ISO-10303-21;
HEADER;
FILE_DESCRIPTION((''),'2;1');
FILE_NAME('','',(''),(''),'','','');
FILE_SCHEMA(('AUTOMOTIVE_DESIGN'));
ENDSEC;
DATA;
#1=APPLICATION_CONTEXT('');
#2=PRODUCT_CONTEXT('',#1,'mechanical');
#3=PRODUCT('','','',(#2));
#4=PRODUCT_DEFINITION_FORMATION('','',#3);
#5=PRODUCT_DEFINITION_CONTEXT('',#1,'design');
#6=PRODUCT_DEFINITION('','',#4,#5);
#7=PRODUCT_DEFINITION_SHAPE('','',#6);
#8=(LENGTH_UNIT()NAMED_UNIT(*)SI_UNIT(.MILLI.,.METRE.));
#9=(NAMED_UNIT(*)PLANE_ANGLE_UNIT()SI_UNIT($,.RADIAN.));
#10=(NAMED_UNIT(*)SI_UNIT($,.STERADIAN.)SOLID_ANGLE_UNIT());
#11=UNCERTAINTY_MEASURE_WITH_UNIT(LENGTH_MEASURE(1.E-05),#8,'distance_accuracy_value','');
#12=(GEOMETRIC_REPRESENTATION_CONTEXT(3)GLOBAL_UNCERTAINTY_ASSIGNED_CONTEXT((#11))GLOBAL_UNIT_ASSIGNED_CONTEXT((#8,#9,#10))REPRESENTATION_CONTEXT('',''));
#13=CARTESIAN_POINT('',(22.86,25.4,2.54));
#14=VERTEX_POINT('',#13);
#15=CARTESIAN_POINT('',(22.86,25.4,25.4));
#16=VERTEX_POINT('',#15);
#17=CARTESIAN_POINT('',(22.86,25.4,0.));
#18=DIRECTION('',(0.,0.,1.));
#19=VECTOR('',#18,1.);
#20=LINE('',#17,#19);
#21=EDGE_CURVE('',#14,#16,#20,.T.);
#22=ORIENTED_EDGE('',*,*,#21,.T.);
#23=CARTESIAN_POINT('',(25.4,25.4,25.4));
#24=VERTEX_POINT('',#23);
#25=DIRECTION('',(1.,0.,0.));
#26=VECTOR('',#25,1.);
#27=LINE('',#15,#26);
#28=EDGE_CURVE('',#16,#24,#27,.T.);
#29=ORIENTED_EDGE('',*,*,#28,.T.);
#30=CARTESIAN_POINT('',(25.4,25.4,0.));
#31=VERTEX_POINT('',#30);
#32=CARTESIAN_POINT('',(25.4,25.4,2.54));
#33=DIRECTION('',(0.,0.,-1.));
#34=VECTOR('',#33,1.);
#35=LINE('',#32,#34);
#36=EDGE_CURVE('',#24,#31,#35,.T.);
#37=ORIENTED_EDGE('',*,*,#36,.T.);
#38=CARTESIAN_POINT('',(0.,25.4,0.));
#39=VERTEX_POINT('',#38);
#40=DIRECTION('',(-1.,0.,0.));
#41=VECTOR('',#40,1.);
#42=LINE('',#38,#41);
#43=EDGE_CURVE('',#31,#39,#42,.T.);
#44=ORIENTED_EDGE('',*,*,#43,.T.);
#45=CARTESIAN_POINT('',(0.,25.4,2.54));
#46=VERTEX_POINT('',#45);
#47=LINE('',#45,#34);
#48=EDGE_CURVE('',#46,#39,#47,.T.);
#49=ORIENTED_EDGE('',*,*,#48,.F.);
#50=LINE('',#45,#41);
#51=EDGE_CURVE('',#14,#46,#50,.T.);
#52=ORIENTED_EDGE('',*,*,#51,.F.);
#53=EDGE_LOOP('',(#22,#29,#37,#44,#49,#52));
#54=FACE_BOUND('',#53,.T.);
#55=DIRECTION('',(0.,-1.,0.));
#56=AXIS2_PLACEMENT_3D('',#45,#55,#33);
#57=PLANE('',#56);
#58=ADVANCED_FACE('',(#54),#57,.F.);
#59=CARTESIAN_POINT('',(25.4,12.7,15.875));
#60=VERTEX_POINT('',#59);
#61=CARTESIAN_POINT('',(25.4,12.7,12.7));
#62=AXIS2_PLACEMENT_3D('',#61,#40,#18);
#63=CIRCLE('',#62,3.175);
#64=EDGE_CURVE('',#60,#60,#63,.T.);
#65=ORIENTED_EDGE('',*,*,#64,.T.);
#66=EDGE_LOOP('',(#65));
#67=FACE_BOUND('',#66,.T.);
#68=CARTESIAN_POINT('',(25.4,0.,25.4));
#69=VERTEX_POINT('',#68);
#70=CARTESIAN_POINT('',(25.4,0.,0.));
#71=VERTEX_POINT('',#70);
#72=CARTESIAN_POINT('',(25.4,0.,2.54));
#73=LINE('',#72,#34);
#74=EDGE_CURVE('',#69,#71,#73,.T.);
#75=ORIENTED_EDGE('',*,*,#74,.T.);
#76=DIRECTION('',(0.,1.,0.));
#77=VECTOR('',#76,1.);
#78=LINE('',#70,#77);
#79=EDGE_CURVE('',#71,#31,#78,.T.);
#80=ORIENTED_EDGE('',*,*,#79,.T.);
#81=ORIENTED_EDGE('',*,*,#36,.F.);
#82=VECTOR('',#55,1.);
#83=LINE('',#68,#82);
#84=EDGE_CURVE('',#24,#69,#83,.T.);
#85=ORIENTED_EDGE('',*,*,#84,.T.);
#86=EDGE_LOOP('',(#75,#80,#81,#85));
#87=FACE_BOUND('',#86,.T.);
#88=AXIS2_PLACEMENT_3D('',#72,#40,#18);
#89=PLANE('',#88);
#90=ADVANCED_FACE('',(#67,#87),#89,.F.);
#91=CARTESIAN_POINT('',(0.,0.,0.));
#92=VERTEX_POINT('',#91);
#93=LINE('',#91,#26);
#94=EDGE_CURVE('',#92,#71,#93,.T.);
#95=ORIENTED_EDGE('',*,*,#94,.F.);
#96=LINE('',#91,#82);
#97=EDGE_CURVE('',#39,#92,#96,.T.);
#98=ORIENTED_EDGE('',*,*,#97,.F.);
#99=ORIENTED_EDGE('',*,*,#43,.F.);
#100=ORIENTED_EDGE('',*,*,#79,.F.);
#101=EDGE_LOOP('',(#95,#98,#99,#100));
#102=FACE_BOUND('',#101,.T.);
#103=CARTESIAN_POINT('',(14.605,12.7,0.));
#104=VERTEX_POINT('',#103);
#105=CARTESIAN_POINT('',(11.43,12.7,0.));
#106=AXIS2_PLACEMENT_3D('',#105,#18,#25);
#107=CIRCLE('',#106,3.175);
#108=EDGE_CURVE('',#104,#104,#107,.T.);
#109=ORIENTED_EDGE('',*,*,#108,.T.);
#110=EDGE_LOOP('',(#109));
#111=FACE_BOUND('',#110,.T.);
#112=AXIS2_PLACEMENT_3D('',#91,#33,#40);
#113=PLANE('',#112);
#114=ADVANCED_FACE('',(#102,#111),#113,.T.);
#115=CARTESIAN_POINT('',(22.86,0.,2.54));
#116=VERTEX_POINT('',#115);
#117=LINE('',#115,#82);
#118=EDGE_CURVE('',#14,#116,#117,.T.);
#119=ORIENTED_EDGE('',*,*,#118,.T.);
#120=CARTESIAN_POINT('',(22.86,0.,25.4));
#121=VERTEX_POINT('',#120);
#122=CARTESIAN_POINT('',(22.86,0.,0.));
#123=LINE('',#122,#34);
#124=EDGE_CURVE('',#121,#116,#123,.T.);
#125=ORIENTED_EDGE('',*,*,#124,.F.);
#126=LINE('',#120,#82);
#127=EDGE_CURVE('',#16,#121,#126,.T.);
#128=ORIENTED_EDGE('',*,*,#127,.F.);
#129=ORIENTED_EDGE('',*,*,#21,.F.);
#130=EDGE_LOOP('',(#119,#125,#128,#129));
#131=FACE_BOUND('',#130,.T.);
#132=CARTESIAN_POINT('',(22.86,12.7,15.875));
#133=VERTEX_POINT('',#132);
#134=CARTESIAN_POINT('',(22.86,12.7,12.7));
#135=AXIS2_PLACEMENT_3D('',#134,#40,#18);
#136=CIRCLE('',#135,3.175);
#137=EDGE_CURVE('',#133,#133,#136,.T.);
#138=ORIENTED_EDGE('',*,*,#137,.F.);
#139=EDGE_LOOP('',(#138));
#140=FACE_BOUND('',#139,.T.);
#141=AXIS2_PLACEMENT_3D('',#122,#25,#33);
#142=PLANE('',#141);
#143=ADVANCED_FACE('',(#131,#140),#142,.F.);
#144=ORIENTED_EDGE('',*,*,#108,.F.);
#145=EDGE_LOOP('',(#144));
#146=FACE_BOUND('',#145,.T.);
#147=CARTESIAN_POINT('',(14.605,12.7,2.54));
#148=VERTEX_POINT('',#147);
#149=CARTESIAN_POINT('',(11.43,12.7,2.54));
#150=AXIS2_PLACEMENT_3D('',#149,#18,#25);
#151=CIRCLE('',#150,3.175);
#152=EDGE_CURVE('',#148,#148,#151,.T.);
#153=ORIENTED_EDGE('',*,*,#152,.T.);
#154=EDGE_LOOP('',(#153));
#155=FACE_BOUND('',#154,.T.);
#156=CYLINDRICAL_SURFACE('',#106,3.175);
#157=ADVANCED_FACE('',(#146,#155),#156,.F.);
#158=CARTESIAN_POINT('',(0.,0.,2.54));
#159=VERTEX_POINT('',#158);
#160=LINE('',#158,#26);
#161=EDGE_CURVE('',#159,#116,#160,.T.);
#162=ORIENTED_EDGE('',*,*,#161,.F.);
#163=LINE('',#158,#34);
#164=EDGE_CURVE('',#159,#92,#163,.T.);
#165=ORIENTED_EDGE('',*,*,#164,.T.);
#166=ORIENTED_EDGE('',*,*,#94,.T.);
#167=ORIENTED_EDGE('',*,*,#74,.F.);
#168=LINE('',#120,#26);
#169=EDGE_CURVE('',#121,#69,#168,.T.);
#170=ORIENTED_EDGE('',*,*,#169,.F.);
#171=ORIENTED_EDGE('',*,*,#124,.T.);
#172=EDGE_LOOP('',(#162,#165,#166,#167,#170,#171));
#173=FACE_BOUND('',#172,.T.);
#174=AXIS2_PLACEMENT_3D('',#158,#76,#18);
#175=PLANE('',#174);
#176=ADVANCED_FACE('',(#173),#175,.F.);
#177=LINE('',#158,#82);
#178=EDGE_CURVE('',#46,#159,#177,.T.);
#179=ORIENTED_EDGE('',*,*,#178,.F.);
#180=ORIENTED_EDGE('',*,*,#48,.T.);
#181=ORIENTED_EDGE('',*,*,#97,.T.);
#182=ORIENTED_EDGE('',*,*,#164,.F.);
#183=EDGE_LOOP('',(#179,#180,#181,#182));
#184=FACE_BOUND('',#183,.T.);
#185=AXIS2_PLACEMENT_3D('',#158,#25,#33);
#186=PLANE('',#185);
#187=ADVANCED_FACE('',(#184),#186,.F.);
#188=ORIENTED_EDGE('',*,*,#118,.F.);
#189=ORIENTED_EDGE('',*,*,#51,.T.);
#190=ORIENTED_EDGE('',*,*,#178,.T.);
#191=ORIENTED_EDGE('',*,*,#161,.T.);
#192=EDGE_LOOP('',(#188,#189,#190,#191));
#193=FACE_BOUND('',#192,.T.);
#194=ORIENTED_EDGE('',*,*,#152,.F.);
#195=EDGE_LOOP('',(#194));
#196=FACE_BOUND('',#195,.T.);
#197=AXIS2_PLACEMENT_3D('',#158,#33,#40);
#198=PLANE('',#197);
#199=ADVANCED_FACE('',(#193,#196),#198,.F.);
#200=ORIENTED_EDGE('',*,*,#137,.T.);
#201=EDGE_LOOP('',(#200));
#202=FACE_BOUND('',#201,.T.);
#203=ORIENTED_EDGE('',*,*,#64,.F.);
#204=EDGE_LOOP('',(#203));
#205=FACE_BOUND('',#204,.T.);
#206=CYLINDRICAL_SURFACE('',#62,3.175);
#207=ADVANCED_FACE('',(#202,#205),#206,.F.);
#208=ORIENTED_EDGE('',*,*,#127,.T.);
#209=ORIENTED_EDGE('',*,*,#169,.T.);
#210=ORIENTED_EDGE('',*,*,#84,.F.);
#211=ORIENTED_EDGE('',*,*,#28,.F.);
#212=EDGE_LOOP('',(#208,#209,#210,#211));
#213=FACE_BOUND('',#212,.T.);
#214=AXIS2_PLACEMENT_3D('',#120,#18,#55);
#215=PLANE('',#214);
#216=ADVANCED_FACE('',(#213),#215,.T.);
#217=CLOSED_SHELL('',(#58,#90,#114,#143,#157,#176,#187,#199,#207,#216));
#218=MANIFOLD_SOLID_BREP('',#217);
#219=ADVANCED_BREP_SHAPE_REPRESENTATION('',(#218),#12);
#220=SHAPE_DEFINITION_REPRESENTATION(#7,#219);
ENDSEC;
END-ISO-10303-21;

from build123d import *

# Parameters (mm, degrees)
SKETCH1_W           = 25.4
SKETCH1_H           = 25.4
BOSS_EXTRUDE1_DEPTH = 2.54
SKETCH2_W           = 25.4
SKETCH2_H           = 25.4
BOSS_EXTRUDE2_DEPTH = 2.54
SKETCH3_R           = 3.175
CUT_EXTRUDE1_DEPTH  = 2.54
SKETCH4_R           = 3.175
CUT_EXTRUDE2_DEPTH  = 2.54


with BuildPart() as part:
    # Sketch1 → Boss-Extrude1 (new body)
    with BuildSketch(Plane.XY):
        with Locations((12.7, 12.7)):
            Rectangle(SKETCH1_W, SKETCH1_H)
    extrude(amount=BOSS_EXTRUDE1_DEPTH)

    # Sketch2 → Boss-Extrude2 (add)
    with BuildSketch(Plane(origin=(25.4, 0, 0), x_dir=(0, 0, -1), z_dir=(1, 0, 0))):
        with Locations((-12.7, 12.7)):
            Rectangle(SKETCH2_W, SKETCH2_H)
    extrude(amount=-BOSS_EXTRUDE2_DEPTH)

    # Sketch3 → Cut-Extrude1 (cut)
    with BuildSketch(Plane.XY.offset(2.54)):
        with Locations((11.43, 12.7)):
            Circle(SKETCH3_R)
    extrude(amount=-CUT_EXTRUDE1_DEPTH, mode=Mode.SUBTRACT)

    # Sketch4 → Cut-Extrude2 (cut)
    with BuildSketch(Plane.ZY.offset(-22.86)):
        with Locations((12.7, 12.7)):
            Circle(SKETCH4_R)
    extrude(amount=-CUT_EXTRUDE2_DEPTH, mode=Mode.SUBTRACT)


solid = part.part
